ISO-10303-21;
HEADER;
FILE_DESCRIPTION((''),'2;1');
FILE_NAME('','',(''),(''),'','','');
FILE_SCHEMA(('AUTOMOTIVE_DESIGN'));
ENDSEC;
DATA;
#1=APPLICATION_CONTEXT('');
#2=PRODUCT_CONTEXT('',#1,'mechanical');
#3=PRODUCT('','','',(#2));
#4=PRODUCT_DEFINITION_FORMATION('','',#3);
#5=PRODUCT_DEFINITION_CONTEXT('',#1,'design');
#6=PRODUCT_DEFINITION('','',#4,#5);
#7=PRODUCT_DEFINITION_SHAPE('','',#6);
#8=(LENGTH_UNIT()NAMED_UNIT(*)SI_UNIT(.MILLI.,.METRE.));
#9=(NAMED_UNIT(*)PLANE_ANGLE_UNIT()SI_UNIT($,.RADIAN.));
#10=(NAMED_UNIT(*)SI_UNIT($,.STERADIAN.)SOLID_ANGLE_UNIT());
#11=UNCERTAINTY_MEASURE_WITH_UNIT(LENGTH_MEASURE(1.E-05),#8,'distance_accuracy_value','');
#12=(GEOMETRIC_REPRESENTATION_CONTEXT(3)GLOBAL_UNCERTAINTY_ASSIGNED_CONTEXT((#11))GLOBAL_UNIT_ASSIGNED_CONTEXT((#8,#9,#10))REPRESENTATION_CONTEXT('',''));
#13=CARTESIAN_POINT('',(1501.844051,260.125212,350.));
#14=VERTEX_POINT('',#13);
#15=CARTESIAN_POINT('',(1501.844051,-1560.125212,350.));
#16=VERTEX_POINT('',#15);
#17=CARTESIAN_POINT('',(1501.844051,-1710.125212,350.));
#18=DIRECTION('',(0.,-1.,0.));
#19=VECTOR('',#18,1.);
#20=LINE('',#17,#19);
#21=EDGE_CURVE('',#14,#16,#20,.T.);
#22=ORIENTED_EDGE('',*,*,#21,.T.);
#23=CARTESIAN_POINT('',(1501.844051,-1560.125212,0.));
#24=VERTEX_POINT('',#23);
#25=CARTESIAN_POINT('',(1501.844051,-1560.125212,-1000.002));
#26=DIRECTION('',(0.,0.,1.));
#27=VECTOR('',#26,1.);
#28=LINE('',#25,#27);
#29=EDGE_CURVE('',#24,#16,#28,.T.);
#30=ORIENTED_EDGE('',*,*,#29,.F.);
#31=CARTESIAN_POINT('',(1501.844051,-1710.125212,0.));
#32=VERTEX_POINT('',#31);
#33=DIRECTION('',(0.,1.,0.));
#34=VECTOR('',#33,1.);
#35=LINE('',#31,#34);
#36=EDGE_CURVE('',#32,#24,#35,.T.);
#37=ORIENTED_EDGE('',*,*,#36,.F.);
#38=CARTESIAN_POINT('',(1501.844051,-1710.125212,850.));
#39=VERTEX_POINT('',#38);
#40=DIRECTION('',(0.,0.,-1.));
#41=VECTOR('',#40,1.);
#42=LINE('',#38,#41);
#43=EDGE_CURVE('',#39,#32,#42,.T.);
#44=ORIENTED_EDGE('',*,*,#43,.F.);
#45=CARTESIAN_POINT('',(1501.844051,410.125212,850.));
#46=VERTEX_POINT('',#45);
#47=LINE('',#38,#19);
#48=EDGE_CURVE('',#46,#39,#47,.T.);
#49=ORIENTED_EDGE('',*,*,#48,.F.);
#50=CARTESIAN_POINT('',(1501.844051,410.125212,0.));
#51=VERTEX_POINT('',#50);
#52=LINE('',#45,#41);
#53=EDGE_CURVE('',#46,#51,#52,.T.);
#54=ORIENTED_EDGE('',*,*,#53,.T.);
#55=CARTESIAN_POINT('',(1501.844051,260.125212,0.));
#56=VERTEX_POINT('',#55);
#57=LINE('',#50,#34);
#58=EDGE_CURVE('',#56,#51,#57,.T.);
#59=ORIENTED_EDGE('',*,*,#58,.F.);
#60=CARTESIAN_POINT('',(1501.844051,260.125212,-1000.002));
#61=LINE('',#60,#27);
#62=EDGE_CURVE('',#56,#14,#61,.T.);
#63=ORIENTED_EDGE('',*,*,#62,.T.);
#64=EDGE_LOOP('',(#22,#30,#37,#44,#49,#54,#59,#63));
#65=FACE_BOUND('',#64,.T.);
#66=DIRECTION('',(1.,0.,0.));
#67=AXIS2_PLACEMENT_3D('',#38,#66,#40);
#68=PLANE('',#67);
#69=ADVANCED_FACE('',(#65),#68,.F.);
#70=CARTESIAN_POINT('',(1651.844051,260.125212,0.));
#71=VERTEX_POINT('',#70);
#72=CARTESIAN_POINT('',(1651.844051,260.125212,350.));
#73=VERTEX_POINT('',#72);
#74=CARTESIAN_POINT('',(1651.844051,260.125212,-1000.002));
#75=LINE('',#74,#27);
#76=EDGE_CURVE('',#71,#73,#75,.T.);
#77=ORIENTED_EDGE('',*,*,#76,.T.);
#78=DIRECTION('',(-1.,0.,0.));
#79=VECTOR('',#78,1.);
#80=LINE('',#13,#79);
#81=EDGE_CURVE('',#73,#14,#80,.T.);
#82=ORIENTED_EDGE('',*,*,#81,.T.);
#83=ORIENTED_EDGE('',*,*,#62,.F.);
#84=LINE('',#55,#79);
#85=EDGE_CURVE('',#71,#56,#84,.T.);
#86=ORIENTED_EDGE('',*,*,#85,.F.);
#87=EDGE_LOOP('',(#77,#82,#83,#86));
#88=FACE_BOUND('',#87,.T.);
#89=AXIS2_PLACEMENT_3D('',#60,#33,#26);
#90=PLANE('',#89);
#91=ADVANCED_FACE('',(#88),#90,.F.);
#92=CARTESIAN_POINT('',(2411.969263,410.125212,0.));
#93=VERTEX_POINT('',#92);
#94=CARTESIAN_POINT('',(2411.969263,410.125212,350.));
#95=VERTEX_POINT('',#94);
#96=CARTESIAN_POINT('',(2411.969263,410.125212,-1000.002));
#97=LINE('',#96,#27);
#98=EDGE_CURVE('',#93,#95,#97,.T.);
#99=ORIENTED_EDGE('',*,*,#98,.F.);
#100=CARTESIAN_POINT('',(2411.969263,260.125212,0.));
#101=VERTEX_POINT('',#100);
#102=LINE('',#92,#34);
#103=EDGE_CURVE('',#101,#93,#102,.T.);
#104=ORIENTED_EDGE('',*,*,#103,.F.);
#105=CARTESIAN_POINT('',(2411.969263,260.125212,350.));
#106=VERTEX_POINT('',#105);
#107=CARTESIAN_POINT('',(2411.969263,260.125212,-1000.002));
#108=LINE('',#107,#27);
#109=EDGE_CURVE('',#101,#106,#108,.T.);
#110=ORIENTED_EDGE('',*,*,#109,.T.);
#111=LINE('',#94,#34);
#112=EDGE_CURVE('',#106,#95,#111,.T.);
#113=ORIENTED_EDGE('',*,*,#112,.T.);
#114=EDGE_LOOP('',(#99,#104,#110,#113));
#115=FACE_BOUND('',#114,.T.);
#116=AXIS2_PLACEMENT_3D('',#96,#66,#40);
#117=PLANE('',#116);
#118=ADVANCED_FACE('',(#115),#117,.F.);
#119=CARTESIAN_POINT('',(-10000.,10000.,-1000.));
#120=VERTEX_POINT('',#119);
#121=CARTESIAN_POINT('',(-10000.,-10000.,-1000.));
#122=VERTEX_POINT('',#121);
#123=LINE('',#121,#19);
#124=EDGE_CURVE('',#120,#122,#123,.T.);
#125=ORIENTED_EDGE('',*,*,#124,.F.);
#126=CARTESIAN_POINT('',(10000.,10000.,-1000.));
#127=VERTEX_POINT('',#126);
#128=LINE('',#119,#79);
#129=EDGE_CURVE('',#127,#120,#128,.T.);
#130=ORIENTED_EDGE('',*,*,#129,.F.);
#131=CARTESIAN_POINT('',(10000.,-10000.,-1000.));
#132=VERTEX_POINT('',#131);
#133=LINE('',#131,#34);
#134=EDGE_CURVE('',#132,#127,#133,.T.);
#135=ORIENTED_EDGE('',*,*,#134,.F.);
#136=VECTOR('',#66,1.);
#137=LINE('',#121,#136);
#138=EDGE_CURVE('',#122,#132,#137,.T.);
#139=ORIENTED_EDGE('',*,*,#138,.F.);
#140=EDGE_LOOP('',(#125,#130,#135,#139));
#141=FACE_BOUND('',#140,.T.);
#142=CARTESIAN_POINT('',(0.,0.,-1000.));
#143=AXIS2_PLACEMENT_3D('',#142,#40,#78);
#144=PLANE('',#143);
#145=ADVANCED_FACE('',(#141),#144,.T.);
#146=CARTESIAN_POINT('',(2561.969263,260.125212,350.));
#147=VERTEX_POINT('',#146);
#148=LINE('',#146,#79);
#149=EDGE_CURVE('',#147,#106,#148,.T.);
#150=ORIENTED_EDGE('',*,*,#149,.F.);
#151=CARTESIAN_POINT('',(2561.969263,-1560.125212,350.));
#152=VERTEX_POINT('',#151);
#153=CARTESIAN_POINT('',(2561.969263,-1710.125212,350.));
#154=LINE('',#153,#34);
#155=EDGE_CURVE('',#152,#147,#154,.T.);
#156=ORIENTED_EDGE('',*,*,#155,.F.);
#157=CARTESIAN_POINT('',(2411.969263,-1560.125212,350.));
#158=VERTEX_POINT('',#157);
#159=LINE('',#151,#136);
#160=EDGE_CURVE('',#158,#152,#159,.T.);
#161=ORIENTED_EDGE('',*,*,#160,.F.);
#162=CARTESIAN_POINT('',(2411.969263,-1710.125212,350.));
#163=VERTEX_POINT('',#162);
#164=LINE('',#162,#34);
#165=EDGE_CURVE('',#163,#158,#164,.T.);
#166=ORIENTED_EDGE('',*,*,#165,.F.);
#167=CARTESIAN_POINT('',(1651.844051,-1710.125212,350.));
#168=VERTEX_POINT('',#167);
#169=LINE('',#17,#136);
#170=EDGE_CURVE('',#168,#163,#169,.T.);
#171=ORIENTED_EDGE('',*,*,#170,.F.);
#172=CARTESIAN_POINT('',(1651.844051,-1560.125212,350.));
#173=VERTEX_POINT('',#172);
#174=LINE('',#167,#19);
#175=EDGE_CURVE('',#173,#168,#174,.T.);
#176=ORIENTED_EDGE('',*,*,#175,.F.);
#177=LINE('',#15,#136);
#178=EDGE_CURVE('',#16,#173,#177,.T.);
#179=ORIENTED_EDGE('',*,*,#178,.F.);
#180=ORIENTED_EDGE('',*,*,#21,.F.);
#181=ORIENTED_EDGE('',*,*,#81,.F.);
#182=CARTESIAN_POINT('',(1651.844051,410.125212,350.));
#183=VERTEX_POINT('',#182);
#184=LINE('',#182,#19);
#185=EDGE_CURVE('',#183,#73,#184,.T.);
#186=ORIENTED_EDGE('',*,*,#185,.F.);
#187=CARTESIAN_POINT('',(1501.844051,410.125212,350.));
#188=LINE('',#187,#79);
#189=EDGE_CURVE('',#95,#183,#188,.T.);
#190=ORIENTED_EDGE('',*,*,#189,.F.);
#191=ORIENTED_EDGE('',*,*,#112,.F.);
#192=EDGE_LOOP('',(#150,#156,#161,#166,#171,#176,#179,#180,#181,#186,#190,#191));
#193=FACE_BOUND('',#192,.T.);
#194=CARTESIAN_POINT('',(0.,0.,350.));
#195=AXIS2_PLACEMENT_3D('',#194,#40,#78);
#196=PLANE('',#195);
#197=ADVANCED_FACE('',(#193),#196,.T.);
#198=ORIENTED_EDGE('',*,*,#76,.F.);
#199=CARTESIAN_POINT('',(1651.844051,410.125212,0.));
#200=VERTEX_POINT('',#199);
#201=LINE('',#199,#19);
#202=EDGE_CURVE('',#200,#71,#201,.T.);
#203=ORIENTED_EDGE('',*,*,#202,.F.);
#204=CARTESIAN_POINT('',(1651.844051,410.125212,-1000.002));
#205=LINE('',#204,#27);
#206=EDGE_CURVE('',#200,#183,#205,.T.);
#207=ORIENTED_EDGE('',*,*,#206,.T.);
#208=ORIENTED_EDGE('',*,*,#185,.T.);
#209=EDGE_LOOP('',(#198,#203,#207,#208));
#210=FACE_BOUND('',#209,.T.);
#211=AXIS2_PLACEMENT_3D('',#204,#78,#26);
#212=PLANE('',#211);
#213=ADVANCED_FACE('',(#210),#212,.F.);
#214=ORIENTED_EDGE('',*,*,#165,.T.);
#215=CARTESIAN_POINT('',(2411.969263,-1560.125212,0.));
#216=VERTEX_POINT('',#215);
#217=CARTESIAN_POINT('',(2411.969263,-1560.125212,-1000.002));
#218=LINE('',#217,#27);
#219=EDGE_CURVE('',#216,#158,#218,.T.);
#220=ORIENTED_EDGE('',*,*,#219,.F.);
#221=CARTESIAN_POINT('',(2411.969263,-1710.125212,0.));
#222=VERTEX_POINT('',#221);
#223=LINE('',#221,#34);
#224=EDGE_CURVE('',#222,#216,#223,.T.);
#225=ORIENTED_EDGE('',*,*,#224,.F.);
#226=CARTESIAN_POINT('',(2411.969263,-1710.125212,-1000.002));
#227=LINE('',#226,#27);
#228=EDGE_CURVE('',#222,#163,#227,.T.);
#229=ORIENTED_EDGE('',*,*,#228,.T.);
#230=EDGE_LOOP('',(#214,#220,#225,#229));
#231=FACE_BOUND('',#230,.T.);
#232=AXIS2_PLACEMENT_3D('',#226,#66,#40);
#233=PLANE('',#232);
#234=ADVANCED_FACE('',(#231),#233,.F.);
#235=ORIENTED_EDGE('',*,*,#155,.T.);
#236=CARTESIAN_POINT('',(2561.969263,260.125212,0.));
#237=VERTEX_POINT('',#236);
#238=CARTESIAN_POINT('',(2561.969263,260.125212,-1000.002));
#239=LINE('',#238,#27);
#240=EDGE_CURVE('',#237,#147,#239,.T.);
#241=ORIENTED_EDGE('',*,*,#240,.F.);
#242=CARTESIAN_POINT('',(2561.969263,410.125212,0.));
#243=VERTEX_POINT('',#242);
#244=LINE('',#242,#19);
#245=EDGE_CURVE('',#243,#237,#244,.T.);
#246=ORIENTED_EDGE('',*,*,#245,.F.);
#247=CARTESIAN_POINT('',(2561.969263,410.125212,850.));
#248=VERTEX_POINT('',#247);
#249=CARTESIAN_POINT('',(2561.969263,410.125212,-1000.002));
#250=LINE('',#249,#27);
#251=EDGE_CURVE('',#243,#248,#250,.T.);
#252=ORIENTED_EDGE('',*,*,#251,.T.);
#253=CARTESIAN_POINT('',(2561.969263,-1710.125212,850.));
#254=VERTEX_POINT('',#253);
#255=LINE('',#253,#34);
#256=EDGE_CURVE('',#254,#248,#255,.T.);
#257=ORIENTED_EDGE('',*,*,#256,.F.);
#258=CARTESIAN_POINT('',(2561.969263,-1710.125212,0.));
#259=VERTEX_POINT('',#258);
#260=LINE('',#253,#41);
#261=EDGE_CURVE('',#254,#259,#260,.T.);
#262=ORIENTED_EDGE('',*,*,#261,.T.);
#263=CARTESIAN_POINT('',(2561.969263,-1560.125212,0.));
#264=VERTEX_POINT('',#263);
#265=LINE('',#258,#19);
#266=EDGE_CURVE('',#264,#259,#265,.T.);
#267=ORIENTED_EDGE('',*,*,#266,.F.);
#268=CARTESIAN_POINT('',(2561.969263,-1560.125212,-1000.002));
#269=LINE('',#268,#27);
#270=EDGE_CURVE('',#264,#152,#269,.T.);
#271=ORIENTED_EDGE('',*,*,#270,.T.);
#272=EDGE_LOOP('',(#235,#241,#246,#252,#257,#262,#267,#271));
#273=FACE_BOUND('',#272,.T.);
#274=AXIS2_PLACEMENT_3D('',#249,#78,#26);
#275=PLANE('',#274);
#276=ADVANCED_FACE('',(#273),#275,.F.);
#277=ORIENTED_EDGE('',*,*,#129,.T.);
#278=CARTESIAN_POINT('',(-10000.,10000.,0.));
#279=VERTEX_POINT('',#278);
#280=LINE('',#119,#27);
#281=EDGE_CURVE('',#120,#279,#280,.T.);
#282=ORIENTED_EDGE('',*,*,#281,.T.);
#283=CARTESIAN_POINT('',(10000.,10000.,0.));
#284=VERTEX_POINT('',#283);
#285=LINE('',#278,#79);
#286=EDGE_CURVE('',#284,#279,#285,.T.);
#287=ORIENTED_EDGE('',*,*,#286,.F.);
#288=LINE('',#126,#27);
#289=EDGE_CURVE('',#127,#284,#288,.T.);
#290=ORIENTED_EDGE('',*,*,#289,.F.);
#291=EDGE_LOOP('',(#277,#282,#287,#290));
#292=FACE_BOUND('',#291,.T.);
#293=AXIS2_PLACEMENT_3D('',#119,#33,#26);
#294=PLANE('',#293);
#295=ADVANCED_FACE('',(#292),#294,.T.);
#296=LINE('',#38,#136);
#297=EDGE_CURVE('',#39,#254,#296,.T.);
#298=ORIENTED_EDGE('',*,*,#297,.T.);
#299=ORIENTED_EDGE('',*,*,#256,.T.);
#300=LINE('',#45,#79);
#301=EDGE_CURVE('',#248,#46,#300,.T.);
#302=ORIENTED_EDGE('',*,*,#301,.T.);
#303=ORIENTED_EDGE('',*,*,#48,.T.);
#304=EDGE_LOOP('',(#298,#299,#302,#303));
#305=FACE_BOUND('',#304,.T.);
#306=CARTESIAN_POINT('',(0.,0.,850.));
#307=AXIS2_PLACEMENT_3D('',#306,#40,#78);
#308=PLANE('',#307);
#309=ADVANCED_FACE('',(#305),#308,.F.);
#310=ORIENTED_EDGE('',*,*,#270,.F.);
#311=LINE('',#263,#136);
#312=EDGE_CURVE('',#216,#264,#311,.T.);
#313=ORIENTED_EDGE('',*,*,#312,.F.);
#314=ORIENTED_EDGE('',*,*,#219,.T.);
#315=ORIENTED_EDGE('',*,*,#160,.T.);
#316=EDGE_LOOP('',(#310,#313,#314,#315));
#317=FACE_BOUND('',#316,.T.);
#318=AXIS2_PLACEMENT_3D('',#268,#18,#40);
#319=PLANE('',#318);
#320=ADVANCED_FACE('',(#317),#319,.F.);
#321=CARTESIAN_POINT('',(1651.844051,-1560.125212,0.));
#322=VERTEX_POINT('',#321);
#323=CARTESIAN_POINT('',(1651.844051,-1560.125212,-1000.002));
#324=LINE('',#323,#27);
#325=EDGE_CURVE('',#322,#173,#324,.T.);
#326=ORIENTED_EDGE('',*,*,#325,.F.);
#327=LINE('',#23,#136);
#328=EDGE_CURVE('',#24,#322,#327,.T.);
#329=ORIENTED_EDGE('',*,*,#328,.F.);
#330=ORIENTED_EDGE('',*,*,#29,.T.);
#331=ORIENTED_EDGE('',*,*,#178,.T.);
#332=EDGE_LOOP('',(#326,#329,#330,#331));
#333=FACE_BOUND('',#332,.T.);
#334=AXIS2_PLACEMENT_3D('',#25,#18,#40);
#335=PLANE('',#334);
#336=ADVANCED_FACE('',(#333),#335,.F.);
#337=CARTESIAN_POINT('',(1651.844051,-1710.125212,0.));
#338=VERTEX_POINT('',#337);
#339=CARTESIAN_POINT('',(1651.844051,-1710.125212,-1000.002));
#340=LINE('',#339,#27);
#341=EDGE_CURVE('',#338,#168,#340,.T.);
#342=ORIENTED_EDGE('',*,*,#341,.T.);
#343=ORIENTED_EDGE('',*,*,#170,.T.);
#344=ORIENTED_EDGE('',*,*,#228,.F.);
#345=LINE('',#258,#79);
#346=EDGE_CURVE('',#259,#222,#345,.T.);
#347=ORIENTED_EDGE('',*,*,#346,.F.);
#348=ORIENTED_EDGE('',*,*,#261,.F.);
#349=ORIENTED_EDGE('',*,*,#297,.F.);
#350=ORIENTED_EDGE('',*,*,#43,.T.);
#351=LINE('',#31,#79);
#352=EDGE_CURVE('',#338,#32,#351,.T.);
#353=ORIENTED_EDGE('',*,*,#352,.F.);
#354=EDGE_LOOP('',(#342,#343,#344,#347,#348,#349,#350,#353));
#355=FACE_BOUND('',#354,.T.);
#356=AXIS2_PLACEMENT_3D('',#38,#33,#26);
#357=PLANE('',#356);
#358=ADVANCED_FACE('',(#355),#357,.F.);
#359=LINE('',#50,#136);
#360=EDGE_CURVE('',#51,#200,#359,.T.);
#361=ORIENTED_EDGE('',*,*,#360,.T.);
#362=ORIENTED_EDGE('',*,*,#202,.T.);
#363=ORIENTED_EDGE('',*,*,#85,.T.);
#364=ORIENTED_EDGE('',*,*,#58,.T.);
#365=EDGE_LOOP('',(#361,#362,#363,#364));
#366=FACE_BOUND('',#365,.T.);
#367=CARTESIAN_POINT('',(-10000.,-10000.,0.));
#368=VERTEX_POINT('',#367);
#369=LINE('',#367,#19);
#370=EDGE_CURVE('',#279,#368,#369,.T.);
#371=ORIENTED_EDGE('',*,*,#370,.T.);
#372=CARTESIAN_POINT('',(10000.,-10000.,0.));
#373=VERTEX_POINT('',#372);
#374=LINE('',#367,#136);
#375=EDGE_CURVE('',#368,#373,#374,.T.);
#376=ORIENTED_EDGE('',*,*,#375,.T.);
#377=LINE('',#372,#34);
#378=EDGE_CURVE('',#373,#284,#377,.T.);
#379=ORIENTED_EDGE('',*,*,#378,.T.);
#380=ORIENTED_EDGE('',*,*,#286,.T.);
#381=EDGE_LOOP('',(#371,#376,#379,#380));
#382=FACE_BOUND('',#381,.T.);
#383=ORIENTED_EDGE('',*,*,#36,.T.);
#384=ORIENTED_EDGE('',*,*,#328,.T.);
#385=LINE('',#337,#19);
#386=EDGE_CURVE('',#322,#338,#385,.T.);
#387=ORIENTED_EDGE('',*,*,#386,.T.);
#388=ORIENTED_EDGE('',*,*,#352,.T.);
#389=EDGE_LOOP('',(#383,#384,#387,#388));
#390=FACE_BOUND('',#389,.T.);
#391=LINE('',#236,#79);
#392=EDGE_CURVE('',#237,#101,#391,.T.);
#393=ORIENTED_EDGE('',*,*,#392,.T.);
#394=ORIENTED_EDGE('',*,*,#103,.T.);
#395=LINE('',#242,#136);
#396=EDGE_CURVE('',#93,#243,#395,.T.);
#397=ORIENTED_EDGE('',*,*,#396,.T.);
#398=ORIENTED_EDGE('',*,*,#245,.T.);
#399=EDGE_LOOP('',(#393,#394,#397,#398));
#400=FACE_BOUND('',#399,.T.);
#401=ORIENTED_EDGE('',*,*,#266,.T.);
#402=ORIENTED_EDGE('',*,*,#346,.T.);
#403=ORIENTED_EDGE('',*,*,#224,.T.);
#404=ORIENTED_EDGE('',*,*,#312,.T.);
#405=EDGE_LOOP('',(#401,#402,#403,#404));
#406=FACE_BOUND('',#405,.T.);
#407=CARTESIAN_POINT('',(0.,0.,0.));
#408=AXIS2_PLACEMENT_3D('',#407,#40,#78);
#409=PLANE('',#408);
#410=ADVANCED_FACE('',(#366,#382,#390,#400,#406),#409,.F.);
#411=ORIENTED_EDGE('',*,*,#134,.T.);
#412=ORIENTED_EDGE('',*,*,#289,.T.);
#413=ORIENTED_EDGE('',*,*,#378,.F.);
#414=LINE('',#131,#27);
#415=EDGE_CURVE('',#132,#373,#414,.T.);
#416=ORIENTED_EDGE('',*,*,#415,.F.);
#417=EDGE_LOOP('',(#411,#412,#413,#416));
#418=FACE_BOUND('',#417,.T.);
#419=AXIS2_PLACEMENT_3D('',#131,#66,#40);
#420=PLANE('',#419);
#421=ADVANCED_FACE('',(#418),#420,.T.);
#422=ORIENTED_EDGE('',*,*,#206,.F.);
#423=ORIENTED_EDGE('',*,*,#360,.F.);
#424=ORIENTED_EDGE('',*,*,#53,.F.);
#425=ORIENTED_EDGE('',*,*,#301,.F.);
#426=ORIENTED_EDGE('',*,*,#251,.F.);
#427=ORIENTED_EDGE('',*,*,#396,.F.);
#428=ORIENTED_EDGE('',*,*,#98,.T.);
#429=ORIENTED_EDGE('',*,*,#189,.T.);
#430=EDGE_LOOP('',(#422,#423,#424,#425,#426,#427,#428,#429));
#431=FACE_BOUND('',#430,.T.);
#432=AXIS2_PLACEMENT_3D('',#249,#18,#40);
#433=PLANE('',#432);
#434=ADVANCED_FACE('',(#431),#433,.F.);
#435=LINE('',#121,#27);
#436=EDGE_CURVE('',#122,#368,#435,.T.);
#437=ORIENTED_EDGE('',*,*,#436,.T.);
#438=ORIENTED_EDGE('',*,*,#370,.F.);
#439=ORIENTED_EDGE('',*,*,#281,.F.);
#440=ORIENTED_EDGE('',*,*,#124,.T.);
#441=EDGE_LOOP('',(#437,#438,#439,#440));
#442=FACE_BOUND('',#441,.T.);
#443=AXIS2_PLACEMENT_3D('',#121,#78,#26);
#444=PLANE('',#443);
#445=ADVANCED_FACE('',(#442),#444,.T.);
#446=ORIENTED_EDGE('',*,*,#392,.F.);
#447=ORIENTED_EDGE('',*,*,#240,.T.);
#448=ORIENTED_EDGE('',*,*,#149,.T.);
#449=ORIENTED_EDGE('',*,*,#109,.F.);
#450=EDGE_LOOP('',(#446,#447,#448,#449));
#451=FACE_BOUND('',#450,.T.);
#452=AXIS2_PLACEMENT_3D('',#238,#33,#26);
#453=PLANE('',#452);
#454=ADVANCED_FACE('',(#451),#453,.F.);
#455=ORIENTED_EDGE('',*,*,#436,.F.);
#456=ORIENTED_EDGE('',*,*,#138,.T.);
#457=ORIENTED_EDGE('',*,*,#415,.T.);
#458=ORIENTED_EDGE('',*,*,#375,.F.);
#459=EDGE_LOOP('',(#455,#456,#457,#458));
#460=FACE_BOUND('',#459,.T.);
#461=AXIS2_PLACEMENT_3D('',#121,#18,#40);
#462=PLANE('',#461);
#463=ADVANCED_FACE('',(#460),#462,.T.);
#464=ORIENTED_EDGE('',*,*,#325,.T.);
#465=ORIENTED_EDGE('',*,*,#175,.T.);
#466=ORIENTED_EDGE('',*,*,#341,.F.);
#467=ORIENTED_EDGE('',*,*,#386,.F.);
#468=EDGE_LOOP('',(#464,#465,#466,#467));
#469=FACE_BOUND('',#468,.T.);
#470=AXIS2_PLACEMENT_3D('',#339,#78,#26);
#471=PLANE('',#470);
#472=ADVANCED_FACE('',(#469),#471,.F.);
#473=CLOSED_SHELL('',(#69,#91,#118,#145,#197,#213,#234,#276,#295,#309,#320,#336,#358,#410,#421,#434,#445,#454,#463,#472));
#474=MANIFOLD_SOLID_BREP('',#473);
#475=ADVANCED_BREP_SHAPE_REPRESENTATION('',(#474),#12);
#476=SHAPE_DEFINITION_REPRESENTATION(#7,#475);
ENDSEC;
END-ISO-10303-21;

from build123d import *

# Parameters (mm, degrees)
SKETCH2_W           = 20000
SKETCH2_H           = 20000
BOSS_EXTRUDE1_DEPTH = 1000
SKETCH6_W           = 1060.125212232
SKETCH6_H           = 2120.250424464
BOSS_EXTRUDE2_DEPTH = 500
BOSS_EXTRUDE3_REACH = 14208.425
SKETCH7_W           = 150
SKETCH7_H           = 150


with BuildPart() as part:
    # Sketch2 → Boss-Extrude1 (new body)
    with BuildSketch(Plane.XY):
        Rectangle(SKETCH2_W, SKETCH2_H)
    extrude(amount=-BOSS_EXTRUDE1_DEPTH)

    # Sketch7 → Boss-Extrude3 (add, up to next)
    with BuildSketch(Plane(origin=(0, 0, 350), x_dir=(-1, 0, 0), z_dir=(0, 0, -1)), mode=Mode.PRIVATE) as boss_extrude3_sk1:
        with Locations((-2486.969262894, 335.125212232)):
            Rectangle(SKETCH7_W, SKETCH7_H)
    boss_extrude3_tool1 = extrude(boss_extrude3_sk1.sketch, amount=BOSS_EXTRUDE3_REACH, mode=Mode.PRIVATE) - part.part
    # Sketch7 → Boss-Extrude3 (add, up to next)
    with BuildSketch(Plane(origin=(0, 0, 350), x_dir=(-1, 0, 0), z_dir=(0, 0, -1)), mode=Mode.PRIVATE) as boss_extrude3_sk2:
        with Locations((-1576.844050662, 335.125212232)):
            Rectangle(SKETCH7_W, SKETCH7_H)
    boss_extrude3_tool2 = extrude(boss_extrude3_sk2.sketch, amount=BOSS_EXTRUDE3_REACH, mode=Mode.PRIVATE) - part.part
    # Sketch7 → Boss-Extrude3 (add, up to next)
    with BuildSketch(Plane(origin=(0, 0, 350), x_dir=(-1, 0, 0), z_dir=(0, 0, -1)), mode=Mode.PRIVATE) as boss_extrude3_sk3:
        with Locations((-2486.969262894, -1635.125212232)):
            Rectangle(SKETCH7_W, SKETCH7_H)
    boss_extrude3_tool3 = extrude(boss_extrude3_sk3.sketch, amount=BOSS_EXTRUDE3_REACH, mode=Mode.PRIVATE) - part.part
    # Sketch7 → Boss-Extrude3 (add, up to next)
    with BuildSketch(Plane(origin=(0, 0, 350), x_dir=(-1, 0, 0), z_dir=(0, 0, -1)), mode=Mode.PRIVATE) as boss_extrude3_sk4:
        with Locations((-1576.844050662, -1635.125212232)):
            Rectangle(SKETCH7_W, SKETCH7_H)
    boss_extrude3_tool4 = extrude(boss_extrude3_sk4.sketch, amount=BOSS_EXTRUDE3_REACH, mode=Mode.PRIVATE) - part.part


with BuildPart() as body_2:
    # Sketch6 → Boss-Extrude2 (new body)
    with BuildSketch(Plane(origin=(0, -650, 350), x_dir=(1, 0, 0), z_dir=(0, 0, 1))):
        with Locations((2031.906656778, 0)):
            Rectangle(SKETCH6_W, SKETCH6_H)
    extrude(amount=BOSS_EXTRUDE2_DEPTH)


with BuildPart() as part_1:
    add(part.part)

    add(body_2.part)  # Boss-Extrude3 merges body 2
    add(boss_extrude3_tool1.solids().sort_by_distance((2486.969263, 335.125212, 350))[0])
    add(boss_extrude3_tool2.solids().sort_by_distance((1576.844051, 335.125212, 350))[0])
    add(boss_extrude3_tool3.solids().sort_by_distance((2486.969263, -1635.125212, 350))[0])
    add(boss_extrude3_tool4.solids().sort_by_distance((1576.844051, -1635.125212, 350))[0])


solid = part_1.part
